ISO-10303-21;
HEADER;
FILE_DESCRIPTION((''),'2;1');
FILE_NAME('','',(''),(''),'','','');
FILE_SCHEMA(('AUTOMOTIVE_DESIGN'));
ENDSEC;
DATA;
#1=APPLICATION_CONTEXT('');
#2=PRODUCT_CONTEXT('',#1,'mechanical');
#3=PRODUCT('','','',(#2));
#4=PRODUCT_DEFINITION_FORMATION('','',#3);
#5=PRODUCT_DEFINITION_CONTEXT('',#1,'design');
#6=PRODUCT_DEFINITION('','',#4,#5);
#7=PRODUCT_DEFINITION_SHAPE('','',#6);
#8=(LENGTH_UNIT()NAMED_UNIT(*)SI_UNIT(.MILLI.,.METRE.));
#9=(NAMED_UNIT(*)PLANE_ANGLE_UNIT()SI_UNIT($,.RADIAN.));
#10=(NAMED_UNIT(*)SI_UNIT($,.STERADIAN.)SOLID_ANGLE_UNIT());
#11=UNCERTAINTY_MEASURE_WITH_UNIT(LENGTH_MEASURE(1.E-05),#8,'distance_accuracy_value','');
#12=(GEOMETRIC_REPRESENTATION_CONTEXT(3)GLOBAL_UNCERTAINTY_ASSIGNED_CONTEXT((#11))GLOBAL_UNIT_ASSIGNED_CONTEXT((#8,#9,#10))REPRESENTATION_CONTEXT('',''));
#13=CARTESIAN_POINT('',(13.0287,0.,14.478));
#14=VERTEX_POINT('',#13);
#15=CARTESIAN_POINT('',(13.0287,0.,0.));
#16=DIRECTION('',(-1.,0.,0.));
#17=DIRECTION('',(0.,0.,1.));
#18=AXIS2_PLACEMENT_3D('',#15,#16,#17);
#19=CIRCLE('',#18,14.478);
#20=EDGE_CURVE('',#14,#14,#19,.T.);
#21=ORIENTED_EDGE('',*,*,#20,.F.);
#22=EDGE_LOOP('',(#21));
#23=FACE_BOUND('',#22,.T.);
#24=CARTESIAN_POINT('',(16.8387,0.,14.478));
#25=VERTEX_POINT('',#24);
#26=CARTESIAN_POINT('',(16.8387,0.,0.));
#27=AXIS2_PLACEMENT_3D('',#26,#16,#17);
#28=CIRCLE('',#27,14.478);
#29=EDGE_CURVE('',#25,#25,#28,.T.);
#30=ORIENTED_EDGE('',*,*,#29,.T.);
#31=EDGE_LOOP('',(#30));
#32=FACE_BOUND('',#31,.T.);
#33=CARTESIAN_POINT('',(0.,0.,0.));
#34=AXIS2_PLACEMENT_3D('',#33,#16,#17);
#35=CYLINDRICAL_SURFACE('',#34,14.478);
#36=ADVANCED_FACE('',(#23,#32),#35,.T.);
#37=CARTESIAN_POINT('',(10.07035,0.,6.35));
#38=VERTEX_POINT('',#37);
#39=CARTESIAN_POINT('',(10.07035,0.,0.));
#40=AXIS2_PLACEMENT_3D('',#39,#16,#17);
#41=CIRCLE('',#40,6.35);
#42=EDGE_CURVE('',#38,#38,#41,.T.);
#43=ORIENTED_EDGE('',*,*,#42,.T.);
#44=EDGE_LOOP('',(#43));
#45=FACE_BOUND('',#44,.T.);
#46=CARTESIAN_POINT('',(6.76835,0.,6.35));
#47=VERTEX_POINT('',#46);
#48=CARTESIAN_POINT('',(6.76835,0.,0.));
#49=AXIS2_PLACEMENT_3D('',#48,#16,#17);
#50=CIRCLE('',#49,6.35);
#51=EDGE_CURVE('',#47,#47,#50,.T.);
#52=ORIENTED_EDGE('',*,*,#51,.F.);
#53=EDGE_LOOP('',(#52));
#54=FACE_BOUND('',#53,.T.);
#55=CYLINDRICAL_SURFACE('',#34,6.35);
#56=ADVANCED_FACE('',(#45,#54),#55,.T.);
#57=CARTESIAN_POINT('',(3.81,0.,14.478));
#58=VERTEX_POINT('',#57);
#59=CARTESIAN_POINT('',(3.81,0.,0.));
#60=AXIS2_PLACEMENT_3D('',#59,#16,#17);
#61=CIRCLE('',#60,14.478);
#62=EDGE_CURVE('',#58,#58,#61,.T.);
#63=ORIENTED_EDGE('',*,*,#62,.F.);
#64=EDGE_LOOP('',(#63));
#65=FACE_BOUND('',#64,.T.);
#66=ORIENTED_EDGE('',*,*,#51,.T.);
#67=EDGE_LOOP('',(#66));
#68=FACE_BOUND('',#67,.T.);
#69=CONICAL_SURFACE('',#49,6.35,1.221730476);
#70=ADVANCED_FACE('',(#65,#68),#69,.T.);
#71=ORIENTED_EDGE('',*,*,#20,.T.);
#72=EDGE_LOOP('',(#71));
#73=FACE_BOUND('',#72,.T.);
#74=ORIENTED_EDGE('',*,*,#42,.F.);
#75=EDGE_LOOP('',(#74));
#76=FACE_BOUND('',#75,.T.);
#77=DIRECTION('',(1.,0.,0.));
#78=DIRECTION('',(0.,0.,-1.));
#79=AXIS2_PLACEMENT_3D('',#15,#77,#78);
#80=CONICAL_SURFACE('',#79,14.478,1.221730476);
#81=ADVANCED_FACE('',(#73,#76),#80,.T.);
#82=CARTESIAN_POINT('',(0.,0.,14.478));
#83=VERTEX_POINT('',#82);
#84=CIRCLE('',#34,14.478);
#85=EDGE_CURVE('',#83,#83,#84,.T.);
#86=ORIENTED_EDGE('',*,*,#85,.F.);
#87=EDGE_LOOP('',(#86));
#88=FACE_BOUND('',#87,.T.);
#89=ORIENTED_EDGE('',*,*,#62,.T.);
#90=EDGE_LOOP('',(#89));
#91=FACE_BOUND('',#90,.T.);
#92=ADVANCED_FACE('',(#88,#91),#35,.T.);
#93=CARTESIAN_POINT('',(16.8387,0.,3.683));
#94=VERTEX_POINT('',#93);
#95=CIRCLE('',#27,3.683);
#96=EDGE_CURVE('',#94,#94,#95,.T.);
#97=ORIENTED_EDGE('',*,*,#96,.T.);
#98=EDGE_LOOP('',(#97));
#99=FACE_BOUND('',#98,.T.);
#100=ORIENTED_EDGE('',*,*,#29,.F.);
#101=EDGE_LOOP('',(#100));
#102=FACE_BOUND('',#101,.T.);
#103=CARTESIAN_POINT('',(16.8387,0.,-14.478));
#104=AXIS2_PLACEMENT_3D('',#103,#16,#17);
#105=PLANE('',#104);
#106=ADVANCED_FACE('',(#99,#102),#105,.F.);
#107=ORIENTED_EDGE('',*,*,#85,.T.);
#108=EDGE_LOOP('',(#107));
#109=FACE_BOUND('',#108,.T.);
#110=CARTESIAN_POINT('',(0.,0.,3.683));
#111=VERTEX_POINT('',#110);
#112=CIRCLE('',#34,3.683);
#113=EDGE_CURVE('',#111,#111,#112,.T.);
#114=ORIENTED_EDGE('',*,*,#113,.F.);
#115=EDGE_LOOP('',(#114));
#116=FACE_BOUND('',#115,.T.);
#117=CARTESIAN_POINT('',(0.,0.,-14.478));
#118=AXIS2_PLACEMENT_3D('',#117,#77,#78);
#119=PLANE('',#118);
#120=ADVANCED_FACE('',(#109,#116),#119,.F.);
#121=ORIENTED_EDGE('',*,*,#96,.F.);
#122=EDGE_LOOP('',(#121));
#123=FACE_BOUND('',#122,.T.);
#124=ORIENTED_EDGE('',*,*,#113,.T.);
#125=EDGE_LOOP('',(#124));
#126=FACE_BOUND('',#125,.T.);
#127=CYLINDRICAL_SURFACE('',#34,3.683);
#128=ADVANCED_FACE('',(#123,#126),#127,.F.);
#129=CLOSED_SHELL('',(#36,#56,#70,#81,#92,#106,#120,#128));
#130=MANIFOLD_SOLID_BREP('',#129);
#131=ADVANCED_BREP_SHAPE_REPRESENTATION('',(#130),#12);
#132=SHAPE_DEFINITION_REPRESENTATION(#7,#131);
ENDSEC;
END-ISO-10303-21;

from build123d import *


with BuildPart() as part:
    # Sketch1 → Revolve1 (revolve)
    with BuildSketch(Plane(origin=(0, 0, 0), x_dir=(1, 0, 0), z_dir=(0, 1, 0)), mode=Mode.PRIVATE) as revolve1_sk:
        Polygon((0, 14.478), (3.81, 14.478), (6.768350064, 6.35), (10.070350064, 6.35), (13.028700128, 14.478), (16.838700128, 14.478), (16.838700128, 3.683), (0, 3.683), align=None)
    revolve(revolve1_sk.sketch.rotate(Axis((0, 0, 0), (1, 0, 0)), 180), axis=Axis((0, 0, 0), (1, 0, 0)))


solid = part.part
